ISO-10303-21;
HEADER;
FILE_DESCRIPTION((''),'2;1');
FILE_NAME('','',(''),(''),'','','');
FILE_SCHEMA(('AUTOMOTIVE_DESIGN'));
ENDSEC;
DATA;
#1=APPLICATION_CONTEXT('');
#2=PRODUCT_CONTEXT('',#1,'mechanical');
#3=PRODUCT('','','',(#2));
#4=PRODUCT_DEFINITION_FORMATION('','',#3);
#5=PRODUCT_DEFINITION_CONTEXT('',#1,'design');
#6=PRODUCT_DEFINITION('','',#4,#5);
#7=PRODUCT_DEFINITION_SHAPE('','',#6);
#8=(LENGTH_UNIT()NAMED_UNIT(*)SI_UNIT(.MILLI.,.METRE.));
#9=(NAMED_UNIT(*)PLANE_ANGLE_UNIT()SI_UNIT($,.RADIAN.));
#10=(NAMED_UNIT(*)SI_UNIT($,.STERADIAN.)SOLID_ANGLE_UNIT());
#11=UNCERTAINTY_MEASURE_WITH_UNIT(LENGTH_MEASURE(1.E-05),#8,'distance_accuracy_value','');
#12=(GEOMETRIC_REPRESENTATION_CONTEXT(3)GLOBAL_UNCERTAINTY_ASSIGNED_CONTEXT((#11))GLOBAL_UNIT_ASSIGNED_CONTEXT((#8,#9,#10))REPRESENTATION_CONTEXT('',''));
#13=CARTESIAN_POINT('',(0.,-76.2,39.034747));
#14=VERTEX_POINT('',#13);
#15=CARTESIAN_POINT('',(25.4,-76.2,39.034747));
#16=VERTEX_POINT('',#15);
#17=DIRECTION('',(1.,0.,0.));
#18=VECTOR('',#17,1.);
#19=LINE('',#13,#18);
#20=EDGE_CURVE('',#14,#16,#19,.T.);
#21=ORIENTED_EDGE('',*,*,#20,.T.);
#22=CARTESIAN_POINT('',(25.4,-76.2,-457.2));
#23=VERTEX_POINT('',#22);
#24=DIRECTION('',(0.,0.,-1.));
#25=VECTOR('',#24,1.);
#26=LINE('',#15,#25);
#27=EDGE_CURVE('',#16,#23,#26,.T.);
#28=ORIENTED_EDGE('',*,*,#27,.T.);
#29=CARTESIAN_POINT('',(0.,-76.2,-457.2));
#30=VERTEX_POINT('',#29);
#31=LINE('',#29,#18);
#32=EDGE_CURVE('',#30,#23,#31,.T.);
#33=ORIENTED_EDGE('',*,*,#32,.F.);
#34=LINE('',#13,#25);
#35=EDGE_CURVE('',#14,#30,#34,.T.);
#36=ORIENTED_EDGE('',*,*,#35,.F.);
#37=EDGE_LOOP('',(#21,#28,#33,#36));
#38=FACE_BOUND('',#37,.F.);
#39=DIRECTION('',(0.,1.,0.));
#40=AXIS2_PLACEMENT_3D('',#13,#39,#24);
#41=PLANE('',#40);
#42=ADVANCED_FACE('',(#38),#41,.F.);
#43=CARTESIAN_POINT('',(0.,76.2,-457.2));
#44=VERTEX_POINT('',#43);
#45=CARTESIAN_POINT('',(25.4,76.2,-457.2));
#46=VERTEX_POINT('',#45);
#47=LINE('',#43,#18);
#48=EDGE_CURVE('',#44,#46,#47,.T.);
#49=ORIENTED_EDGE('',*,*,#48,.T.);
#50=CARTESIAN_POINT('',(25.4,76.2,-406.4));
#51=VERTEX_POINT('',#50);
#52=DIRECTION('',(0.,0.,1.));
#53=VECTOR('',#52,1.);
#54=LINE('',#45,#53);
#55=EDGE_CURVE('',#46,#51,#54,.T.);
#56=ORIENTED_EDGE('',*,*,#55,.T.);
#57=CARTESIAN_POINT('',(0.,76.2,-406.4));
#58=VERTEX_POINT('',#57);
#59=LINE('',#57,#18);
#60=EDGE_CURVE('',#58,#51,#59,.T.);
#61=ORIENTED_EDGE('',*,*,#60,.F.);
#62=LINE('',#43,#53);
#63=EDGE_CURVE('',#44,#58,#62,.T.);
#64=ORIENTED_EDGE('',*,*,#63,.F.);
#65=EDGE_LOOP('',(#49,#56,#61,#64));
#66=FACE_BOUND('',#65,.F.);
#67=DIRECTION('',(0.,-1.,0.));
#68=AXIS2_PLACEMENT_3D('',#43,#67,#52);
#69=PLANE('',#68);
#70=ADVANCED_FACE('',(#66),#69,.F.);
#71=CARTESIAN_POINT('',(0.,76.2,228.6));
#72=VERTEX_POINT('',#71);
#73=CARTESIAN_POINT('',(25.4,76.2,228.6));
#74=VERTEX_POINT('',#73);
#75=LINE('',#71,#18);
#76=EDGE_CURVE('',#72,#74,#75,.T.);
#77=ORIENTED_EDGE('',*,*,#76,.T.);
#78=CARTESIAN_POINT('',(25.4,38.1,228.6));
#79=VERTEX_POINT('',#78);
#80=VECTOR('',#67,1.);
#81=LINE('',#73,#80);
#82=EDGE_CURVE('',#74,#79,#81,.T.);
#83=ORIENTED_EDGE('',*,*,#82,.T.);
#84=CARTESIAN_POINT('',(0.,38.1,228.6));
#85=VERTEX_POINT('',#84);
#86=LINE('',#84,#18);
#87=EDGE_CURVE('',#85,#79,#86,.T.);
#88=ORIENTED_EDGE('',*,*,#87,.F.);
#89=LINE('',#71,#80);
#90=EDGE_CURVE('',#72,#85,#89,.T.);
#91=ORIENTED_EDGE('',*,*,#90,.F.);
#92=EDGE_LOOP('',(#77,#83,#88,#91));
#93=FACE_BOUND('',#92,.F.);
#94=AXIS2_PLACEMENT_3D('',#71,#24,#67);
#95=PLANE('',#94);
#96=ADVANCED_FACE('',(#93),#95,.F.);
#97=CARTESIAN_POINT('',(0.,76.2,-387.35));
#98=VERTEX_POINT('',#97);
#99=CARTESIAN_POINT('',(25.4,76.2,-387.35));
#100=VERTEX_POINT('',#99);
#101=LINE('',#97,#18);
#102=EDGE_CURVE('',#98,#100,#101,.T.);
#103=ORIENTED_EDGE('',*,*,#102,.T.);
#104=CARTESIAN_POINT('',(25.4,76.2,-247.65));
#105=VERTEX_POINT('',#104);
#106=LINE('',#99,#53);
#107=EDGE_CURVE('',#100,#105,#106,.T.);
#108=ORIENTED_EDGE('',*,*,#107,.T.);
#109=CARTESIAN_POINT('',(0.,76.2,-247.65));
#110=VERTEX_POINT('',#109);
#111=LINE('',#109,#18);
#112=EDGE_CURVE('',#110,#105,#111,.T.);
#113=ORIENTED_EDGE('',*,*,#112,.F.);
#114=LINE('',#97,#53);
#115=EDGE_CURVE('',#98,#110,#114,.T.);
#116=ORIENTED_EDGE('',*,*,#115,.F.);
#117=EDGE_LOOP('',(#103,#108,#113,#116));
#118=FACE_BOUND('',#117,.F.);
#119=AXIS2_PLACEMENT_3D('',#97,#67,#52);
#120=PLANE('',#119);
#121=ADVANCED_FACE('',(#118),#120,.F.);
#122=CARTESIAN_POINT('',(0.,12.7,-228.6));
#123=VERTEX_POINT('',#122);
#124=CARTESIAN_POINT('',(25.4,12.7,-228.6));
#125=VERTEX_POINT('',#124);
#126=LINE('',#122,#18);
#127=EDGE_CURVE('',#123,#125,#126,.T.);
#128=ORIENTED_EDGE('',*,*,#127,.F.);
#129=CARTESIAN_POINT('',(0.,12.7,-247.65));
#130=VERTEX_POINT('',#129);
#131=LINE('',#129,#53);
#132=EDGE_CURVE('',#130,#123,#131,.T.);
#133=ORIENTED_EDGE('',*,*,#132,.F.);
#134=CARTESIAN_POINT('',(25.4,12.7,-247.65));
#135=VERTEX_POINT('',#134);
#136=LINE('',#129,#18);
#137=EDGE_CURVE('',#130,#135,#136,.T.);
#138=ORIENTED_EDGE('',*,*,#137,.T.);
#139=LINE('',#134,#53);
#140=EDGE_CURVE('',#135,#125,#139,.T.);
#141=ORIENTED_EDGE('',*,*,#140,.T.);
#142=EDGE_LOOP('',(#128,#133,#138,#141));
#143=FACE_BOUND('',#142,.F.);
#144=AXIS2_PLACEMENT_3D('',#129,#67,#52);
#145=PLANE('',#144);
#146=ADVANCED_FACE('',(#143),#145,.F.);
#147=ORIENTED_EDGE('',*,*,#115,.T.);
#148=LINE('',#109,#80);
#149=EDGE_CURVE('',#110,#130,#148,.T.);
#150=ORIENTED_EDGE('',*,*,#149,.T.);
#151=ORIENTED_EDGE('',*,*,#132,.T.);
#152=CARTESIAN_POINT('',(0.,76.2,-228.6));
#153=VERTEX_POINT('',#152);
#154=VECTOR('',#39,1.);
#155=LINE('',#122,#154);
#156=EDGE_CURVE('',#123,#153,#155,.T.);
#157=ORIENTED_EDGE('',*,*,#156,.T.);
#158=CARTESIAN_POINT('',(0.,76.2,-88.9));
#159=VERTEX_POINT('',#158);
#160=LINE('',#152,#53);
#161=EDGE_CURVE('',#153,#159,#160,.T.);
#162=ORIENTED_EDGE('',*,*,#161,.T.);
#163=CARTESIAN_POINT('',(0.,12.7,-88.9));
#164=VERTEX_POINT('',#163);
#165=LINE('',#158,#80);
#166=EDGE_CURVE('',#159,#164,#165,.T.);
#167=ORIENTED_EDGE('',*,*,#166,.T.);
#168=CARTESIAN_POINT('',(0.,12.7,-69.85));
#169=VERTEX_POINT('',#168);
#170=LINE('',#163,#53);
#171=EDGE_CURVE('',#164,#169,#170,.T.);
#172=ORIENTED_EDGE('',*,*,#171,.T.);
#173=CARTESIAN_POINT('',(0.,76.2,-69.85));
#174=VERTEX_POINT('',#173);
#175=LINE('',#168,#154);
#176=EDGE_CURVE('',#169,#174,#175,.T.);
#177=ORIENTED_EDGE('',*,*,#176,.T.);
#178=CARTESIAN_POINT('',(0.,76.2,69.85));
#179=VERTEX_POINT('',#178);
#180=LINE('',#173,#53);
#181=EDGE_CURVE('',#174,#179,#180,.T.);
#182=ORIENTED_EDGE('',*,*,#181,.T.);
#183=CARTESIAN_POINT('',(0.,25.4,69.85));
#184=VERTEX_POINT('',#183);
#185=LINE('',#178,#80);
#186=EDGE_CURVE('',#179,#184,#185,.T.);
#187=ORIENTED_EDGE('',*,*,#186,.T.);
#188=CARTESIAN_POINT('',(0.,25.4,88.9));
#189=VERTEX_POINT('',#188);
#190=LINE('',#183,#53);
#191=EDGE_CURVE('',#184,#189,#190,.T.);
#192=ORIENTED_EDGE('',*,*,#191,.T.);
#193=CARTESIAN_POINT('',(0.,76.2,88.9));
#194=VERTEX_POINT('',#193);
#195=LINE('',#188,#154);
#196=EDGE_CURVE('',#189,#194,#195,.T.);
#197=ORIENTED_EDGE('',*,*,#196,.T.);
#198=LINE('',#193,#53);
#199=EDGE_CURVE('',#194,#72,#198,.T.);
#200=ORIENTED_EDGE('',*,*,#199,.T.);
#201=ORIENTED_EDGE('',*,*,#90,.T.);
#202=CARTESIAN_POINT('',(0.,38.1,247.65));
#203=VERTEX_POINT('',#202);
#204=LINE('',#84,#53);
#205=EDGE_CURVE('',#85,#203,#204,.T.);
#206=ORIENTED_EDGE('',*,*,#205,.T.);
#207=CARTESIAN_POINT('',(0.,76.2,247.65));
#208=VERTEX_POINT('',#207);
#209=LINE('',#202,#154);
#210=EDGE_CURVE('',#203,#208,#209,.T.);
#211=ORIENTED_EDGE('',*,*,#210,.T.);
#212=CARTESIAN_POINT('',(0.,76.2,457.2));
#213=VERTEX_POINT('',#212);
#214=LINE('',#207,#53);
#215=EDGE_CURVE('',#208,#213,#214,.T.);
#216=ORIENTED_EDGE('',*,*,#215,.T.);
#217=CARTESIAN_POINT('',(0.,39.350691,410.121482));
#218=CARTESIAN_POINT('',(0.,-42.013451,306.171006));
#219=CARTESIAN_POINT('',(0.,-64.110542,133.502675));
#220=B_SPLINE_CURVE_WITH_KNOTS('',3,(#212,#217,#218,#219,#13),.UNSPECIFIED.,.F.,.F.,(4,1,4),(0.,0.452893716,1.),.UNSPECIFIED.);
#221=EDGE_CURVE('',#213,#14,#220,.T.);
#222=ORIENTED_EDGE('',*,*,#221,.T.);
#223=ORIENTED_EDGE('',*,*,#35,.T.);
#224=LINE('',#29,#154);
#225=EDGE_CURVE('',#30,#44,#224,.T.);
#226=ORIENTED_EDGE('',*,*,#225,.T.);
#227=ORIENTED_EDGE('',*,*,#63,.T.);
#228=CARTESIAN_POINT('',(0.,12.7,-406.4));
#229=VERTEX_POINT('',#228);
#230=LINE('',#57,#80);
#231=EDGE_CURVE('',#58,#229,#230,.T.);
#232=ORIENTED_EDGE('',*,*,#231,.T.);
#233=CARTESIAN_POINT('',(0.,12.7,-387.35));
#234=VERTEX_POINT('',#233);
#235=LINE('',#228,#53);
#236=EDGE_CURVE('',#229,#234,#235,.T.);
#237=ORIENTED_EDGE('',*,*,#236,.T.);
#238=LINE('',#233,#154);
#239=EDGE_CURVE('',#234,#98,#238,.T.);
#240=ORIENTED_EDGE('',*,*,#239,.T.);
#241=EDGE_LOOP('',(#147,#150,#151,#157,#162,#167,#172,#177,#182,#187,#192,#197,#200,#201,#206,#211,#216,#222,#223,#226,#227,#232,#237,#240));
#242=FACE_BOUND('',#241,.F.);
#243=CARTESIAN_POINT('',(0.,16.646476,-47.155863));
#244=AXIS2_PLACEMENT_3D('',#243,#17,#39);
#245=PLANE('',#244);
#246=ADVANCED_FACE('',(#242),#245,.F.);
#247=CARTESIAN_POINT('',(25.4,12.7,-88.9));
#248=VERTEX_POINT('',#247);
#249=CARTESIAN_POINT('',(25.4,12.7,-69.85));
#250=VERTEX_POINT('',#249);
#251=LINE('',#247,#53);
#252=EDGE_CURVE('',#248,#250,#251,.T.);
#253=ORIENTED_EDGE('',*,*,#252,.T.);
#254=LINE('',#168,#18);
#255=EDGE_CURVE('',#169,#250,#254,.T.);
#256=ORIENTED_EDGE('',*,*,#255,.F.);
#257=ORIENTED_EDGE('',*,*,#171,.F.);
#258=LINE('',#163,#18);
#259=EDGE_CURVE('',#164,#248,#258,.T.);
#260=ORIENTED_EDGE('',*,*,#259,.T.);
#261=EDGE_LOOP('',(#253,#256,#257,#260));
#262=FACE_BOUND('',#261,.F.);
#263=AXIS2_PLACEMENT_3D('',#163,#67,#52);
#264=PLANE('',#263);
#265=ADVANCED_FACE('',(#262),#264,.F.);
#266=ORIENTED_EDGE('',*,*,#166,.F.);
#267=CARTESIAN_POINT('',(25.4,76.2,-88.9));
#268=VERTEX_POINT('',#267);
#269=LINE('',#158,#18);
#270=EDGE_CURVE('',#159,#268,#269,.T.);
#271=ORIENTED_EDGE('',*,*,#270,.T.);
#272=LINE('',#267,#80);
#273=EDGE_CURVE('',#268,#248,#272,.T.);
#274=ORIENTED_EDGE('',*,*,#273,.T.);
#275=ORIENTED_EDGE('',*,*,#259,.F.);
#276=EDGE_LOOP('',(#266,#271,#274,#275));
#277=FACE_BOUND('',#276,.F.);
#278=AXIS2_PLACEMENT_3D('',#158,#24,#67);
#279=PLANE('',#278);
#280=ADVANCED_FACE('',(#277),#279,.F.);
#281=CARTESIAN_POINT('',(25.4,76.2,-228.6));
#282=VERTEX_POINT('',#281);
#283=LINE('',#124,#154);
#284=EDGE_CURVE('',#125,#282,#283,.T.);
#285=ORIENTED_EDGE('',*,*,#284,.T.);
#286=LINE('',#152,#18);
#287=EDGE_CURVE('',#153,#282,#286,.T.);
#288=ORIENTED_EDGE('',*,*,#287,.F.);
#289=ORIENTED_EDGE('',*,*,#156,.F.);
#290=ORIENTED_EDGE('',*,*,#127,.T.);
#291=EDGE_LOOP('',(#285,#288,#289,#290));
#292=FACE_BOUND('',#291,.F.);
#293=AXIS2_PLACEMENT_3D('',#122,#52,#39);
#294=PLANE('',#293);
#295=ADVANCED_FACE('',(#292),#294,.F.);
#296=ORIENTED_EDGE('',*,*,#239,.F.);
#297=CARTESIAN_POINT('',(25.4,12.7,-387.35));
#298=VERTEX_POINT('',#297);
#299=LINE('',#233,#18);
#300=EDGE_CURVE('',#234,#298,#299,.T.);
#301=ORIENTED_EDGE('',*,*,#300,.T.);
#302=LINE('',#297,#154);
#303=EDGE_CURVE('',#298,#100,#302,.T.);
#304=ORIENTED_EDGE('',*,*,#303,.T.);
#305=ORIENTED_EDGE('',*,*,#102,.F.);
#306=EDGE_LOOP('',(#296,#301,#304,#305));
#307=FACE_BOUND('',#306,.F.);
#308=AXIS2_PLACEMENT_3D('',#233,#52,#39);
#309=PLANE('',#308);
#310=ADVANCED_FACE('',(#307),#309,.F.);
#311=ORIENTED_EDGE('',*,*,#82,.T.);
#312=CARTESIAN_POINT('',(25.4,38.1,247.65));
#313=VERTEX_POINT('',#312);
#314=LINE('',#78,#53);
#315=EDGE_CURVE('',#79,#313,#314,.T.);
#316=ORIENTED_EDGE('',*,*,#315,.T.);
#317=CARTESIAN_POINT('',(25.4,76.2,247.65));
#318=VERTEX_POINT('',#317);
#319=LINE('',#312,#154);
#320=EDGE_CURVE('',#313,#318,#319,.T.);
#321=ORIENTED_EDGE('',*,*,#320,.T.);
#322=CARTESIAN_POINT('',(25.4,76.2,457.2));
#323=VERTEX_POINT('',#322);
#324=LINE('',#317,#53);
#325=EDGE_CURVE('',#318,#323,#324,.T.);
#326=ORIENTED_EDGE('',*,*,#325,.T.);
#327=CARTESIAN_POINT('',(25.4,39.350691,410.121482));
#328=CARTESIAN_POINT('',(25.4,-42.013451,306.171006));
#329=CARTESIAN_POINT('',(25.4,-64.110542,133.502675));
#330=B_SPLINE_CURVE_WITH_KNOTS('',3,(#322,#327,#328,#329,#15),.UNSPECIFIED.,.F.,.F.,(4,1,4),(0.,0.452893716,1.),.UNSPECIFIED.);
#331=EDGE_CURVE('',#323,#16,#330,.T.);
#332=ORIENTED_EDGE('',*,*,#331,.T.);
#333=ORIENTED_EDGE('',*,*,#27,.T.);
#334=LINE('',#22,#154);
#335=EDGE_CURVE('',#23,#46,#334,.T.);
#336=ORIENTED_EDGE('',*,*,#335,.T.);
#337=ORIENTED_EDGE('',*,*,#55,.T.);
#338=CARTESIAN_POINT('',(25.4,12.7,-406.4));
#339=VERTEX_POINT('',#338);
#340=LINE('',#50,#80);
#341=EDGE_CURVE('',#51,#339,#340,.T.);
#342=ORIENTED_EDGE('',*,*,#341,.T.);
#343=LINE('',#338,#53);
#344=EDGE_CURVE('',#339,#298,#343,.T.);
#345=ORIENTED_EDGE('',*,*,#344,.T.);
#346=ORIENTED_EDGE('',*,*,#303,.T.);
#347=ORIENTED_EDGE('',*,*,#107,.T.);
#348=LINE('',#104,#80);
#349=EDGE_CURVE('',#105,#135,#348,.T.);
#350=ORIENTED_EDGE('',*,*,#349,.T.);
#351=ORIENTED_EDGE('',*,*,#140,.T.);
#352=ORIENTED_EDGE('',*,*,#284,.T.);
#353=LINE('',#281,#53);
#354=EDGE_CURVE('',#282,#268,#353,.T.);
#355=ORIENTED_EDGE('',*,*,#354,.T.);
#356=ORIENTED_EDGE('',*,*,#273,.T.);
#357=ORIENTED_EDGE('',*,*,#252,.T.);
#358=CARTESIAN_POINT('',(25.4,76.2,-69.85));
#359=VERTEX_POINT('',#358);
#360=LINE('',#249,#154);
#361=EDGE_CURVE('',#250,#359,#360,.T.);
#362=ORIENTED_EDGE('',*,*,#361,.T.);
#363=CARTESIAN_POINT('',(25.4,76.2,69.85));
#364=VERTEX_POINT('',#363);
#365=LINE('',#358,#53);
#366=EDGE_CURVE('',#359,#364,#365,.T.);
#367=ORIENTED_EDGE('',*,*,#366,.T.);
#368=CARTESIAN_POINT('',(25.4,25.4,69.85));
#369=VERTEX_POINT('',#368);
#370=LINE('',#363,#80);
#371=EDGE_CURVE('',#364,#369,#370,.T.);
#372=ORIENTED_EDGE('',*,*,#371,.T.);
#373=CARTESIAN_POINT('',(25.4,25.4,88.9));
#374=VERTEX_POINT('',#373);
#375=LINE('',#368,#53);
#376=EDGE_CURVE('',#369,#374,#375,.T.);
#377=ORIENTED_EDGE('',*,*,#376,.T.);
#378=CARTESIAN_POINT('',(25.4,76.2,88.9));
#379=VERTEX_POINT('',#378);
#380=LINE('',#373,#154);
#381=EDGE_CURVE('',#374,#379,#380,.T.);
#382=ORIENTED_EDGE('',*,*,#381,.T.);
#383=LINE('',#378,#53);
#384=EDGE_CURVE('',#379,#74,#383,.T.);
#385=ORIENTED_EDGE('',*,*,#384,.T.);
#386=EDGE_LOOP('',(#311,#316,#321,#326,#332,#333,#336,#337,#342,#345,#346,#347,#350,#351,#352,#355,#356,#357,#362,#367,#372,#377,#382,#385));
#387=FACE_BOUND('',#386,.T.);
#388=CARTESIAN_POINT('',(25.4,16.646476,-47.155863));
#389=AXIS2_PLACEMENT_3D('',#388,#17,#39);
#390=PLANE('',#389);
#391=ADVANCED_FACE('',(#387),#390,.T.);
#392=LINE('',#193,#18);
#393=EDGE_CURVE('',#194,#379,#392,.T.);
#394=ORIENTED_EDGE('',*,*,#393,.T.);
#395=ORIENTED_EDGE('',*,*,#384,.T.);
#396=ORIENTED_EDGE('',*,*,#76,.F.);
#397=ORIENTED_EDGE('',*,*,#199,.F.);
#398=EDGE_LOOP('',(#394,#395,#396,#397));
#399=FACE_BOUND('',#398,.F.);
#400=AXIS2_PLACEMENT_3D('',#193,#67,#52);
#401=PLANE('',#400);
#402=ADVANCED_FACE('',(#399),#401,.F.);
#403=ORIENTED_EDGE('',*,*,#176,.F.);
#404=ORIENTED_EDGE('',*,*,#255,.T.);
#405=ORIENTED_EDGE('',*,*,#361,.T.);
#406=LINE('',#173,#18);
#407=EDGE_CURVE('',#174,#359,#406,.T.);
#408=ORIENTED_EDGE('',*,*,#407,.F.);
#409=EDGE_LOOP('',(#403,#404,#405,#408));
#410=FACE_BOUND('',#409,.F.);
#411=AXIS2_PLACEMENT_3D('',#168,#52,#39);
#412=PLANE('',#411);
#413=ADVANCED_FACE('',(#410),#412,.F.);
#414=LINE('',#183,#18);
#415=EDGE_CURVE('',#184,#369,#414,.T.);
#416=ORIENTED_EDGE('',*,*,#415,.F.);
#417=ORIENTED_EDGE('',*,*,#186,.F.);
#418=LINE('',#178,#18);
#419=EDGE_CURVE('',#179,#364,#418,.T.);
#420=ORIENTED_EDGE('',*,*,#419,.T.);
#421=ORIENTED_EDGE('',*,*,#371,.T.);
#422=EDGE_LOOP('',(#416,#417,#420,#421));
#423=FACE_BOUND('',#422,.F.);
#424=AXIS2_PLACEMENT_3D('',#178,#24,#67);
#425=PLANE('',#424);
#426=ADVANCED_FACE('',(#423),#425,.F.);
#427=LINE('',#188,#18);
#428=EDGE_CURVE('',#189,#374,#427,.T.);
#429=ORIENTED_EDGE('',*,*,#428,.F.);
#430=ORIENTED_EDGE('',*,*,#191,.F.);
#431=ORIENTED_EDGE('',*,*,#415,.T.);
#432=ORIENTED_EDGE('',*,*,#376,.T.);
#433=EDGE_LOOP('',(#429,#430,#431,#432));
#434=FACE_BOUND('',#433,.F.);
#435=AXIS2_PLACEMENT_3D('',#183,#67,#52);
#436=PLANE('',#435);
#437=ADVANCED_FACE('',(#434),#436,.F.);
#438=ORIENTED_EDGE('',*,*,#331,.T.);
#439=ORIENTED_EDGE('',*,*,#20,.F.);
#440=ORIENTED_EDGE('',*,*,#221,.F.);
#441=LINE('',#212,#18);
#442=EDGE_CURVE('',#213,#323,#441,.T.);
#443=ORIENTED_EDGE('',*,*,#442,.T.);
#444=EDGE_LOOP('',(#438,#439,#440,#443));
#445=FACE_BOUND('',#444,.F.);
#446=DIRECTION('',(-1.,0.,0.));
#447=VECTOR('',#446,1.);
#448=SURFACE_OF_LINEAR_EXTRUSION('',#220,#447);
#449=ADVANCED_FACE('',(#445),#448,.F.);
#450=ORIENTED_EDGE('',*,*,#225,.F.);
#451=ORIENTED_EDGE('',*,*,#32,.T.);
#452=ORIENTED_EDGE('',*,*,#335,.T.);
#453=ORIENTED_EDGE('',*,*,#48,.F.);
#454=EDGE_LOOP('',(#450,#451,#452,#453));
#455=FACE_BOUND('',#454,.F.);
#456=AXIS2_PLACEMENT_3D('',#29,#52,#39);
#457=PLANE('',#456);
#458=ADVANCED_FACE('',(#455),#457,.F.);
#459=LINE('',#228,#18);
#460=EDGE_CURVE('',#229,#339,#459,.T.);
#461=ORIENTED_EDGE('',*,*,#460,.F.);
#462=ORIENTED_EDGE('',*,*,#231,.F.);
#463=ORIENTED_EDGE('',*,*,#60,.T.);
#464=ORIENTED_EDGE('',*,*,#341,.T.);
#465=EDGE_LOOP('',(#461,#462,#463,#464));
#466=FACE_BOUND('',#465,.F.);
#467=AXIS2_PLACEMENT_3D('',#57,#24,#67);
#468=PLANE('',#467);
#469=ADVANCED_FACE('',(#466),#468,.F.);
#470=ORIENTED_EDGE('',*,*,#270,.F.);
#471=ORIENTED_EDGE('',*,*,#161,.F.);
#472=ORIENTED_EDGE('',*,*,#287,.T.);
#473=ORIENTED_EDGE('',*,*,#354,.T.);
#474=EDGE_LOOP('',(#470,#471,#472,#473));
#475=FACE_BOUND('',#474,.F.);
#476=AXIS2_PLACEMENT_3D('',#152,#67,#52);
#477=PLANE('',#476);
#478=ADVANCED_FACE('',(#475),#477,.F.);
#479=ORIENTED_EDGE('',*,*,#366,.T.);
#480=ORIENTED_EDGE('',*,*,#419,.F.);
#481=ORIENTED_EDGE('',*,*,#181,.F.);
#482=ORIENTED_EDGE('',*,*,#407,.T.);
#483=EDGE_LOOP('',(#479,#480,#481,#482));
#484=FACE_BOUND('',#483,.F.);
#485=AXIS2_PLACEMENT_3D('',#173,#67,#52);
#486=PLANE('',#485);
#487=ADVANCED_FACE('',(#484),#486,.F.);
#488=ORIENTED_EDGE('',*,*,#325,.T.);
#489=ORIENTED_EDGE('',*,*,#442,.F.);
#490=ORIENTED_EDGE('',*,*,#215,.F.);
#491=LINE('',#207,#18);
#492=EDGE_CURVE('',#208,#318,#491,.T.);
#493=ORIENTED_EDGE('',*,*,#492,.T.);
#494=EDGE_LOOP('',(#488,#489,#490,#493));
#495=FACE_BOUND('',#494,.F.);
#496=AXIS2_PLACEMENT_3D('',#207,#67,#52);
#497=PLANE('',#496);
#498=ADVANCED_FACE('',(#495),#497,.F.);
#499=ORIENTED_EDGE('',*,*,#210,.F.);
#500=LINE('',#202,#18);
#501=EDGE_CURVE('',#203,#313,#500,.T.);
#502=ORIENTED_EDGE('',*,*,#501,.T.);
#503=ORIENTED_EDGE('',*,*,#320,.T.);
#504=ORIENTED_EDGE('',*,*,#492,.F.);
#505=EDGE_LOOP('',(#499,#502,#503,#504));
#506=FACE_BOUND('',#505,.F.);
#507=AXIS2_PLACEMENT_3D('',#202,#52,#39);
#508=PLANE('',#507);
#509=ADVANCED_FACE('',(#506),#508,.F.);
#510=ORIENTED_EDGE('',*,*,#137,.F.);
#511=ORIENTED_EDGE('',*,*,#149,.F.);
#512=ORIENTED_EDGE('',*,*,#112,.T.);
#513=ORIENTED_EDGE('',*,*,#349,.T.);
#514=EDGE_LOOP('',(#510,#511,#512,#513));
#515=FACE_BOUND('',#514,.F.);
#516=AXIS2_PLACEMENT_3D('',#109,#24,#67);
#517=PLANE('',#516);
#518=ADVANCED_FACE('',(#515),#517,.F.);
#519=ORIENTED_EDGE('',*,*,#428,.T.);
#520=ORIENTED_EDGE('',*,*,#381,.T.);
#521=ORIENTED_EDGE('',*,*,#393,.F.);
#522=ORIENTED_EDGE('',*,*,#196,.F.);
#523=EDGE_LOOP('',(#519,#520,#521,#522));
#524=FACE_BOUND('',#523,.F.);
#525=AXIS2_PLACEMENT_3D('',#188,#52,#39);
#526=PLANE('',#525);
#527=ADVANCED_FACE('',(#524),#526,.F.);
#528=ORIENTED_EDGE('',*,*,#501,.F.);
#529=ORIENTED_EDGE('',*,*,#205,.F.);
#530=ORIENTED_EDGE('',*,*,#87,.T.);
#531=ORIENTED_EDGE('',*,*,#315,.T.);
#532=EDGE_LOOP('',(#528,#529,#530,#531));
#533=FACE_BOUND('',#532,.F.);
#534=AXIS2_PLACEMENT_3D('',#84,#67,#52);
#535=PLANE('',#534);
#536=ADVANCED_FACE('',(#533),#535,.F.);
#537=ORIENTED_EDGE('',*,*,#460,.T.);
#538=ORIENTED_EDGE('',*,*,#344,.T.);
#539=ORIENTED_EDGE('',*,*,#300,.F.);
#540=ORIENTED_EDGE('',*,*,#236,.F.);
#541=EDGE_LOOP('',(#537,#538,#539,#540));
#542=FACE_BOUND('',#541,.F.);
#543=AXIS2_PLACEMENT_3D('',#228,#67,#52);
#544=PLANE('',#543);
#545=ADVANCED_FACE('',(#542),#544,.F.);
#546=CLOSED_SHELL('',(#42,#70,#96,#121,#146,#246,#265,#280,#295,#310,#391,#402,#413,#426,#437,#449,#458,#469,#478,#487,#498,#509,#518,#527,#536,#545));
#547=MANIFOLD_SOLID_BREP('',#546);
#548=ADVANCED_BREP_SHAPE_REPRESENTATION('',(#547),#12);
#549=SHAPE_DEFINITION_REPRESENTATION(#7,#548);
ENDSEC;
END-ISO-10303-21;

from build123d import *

# Parameters (mm, degrees)
F1_DEPTH = 25.4


with BuildPart() as f1:
    # F0 (on Right) → F1 (new body)
    with BuildSketch(Plane.YZ):
        with BuildLine():
            Line((-76.2, -457.2), (76.2, -457.2))
            Line((76.2, -457.2), (76.2, -406.4))
            Line((76.2, -406.4), (12.7, -406.4))
            Line((12.7, -406.4), (12.7, -387.35))
            Line((12.7, -387.35), (76.2, -387.35))
            Line((76.2, -387.35), (76.2, -247.65))
            Line((76.2, -247.65), (12.7, -247.65))
            Line((12.7, -247.65), (12.7, -228.6))
            Line((12.7, -228.6), (76.2, -228.6))
            Line((76.2, -228.6), (76.2, -88.9))
            Line((76.2, -88.9), (12.7, -88.9))
            Line((12.7, -88.9), (12.7, -69.85))
            Line((12.7, -69.85), (76.2, -69.85))
            Line((76.2, -69.85), (76.2, 69.85))
            Line((76.2, 69.85), (25.4, 69.85))
            Line((25.4, 69.85), (25.4, 88.9))
            Line((25.4, 88.9), (76.2, 88.9))
            Line((76.2, 88.9), (76.2, 228.6))
            Line((76.2, 228.6), (38.1, 228.6))
            Line((38.1, 228.6), (38.1, 247.65))
            Line((38.1, 247.65), (76.2, 247.65))
            Line((76.2, 247.65), (76.2, 457.2))
            add(Edge.make_bspline(
                [(76.2, 457.2), (39.3506912784, 410.1214823851), (-42.0134510054, 306.1710057379), (-64.1105424211, 133.5026752831), (-76.2, 39.0347465873)],
                knots=[0, 0, 0, 0, 0.4528937157, 1, 1, 1, 1], degree=3))
            Line((-76.2, 39.0347465873), (-76.2, -457.2))
        make_face()
    extrude(amount=F1_DEPTH)


solid = f1.part
